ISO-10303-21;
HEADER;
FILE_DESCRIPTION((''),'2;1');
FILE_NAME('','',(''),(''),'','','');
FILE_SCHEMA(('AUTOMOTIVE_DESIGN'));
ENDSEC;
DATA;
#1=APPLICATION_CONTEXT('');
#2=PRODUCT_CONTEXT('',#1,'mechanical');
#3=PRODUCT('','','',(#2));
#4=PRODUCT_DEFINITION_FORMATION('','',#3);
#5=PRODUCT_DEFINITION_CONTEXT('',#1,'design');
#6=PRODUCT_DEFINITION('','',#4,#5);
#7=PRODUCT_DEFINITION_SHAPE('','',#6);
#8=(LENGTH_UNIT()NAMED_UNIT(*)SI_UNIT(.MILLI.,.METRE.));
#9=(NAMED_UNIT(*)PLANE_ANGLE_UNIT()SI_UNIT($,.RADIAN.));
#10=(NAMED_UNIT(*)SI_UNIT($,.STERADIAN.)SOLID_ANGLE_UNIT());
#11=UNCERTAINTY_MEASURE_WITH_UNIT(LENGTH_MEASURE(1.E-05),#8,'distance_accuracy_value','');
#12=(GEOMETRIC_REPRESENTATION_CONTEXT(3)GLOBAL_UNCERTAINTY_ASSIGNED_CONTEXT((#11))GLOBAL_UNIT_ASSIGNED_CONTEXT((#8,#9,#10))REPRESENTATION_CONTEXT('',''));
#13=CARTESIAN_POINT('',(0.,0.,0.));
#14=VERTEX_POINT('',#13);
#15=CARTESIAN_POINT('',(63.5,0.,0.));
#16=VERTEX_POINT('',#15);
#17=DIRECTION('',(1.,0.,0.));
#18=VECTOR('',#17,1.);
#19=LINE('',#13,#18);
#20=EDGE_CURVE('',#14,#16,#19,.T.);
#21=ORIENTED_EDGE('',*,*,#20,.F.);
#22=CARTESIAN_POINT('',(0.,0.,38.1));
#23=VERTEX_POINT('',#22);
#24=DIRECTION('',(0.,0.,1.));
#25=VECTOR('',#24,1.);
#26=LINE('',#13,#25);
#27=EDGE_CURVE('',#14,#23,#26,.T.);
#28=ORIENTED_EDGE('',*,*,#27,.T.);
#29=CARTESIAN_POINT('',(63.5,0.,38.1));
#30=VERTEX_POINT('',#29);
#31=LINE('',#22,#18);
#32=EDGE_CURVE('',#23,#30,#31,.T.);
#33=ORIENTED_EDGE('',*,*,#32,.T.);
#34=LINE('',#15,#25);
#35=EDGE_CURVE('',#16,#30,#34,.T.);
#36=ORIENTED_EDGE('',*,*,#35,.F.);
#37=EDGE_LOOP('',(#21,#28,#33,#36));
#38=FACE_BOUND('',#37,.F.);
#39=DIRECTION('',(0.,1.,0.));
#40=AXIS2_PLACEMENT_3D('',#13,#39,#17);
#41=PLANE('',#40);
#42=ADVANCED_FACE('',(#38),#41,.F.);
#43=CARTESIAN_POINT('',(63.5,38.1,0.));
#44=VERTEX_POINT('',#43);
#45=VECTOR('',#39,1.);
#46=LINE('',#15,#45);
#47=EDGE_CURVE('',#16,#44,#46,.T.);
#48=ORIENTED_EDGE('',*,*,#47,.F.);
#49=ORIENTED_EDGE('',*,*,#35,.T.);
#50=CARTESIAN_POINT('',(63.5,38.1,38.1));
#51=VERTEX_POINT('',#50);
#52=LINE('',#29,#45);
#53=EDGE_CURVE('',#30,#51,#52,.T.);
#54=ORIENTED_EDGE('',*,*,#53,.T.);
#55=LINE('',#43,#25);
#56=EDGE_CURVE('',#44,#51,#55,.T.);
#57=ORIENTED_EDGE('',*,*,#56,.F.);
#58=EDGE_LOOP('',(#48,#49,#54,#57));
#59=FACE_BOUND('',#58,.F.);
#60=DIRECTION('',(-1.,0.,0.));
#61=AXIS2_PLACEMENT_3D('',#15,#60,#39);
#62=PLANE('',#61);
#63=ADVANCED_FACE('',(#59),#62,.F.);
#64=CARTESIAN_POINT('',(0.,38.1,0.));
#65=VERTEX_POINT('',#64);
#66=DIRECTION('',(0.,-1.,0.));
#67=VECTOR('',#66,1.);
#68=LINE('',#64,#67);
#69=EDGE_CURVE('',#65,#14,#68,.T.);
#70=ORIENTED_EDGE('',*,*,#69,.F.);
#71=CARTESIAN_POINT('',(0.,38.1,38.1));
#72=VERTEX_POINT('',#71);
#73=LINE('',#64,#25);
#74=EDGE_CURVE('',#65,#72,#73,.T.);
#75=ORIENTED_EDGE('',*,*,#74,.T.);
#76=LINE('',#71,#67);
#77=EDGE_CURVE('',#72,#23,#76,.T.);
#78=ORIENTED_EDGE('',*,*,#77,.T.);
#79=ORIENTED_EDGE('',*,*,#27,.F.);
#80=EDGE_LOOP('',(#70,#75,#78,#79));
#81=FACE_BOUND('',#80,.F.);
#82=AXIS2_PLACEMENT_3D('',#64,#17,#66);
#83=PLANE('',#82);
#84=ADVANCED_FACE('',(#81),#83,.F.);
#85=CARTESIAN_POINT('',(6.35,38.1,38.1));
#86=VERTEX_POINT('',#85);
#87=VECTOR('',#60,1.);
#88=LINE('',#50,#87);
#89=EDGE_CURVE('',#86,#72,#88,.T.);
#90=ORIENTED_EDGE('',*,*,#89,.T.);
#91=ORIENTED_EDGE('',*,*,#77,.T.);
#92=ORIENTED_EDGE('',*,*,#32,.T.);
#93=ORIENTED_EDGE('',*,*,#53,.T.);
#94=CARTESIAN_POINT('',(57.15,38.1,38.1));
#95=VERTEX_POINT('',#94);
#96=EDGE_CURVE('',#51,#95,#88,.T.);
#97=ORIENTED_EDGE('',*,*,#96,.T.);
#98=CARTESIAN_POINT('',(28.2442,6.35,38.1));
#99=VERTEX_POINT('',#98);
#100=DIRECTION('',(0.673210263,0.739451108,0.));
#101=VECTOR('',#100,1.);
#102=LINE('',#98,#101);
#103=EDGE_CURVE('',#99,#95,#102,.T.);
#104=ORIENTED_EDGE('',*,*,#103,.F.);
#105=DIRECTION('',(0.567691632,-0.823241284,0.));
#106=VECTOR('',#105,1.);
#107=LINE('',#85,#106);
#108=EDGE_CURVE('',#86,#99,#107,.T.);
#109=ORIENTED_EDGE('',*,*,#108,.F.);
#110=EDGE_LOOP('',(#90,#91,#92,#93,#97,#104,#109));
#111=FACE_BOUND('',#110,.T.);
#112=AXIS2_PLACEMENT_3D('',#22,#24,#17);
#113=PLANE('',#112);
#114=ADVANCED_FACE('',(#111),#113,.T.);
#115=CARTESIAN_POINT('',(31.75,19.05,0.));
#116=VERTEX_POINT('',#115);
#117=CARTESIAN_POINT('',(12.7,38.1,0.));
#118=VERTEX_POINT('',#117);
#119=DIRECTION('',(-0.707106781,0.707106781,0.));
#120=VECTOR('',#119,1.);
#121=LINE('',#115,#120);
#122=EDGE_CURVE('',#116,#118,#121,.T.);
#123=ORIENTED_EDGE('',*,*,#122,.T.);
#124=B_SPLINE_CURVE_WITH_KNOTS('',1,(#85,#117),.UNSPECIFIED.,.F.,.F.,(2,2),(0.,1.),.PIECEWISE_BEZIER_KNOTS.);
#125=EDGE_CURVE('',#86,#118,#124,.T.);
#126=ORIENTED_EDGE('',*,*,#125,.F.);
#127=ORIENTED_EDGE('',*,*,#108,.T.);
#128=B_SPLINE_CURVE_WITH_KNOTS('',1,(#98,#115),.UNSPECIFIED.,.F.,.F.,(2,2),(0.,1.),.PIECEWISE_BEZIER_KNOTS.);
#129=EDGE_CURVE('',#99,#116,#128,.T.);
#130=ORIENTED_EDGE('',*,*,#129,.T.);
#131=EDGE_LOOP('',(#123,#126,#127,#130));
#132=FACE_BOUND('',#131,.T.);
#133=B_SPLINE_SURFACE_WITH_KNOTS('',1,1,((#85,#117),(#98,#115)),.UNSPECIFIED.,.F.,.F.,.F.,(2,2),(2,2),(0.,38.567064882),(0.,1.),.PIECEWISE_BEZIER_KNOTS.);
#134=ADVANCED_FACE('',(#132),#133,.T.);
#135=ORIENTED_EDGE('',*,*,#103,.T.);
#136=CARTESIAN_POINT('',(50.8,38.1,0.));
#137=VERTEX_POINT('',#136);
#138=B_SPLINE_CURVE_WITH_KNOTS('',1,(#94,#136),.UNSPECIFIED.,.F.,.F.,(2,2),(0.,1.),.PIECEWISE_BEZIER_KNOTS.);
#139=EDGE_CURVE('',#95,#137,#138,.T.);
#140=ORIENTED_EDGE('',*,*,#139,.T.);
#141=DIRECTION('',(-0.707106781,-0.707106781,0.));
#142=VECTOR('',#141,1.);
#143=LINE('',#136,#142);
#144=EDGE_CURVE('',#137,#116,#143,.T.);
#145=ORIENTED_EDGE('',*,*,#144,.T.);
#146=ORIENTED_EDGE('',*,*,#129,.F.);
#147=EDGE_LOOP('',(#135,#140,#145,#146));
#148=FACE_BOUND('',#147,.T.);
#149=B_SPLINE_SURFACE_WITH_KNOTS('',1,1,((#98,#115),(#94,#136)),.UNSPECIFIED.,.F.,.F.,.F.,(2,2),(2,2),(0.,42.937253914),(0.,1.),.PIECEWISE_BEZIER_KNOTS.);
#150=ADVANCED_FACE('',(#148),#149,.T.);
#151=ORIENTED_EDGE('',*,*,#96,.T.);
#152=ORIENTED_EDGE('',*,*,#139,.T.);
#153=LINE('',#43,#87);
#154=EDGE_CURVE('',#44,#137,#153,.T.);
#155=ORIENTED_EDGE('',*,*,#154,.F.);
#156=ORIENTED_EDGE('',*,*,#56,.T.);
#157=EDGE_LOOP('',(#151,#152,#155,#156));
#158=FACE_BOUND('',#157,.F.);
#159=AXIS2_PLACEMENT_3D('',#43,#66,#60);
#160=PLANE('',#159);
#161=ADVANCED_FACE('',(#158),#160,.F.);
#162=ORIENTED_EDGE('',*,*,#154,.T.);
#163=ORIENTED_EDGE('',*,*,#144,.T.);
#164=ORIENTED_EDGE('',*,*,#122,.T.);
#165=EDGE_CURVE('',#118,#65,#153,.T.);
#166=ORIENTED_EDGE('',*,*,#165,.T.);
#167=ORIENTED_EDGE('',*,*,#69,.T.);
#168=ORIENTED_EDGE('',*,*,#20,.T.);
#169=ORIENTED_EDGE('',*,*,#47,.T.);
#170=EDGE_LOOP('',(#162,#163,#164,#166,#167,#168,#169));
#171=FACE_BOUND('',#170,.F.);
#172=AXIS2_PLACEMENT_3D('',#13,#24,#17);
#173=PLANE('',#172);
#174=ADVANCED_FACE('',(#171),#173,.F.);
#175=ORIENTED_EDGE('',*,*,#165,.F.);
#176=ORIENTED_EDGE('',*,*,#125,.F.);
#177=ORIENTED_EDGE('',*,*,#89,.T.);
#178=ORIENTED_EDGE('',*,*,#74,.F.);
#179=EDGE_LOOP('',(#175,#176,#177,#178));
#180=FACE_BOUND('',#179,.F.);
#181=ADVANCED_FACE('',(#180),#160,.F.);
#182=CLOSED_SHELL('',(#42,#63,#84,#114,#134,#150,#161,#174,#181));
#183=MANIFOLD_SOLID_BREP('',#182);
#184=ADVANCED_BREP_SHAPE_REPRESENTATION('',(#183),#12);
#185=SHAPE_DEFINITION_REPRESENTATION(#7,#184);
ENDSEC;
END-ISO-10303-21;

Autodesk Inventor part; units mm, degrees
ref_plane "YZ Plane" through (0, 0, 0) normal (1, 0, 0) x (0, 1, 0)
ref_plane "XZ Plane" through (0, 0, 0) normal (0, 1, 0) x (-1, 0, 0)
ref_plane "XY Plane" through (0, 0, 0) normal (0, 0, 1) x (1, 0, 0)
sketch "Sketch1" plane through (0, 0, 0) normal (0, 0, 1) x (1, 0, 0)
  line L0 (0, 0) -> (63.5, 0)
  line L1 (63.5, 0) -> (63.5, 38.1)
  line L2 (63.5, 38.1) -> (0, 38.1)
  line L3 (0, 38.1) -> (0, 0)
  dimension "d0" = 63.5
  dimension "d1" = 38.1
extrude "Extrusion1" add sketch "Sketch1" along normal blind 38.1
sketch "Sketch2" plane through (0, 0, 38.1) normal (0, 0, 1) x (1, 0, 0)
  line L0 (63.5, 38.1) -> (0, 38.1) projected
  line L1 (6.35, 38.1) -> (28.2442, 6.35)
  line L2 (28.2442, 6.35) -> (57.15, 38.1)
  line L3 (0, 0) -> (63.5, 0) projected
  line L4 (6.35, 38.1) -> (57.15, 38.1)
  dimension "d4" = 6.35
  dimension "d5" = 6.35
  dimension "d6" = 6.35
sketch "Sketch3" plane through (0, 0, 0) normal (0, 0, -1) x (-1, 0, 0)
  line L0 (-63.5, 38.1) -> (0, 38.1) projected
  line L1 (-50.8, 38.1) -> (-31.75, 19.05)
  line L2 (-31.75, 19.05) -> (-12.7, 38.1)
  line L3 (0, 0) -> (-63.5, 0) projected
  line L4 (0, 38.1) -> (0, 0) projected
  line L5 (-50.8, 38.1) -> (-12.7, 38.1)
  dimension "d7" = 12.7
  dimension "d8" = 19.05
  dimension "d9" = 12.7
  dimension "d10" = 31.75
loft "Loft1" cut profiles "Sketch2", "Sketch3"
properties part number "loft cut cordier"
